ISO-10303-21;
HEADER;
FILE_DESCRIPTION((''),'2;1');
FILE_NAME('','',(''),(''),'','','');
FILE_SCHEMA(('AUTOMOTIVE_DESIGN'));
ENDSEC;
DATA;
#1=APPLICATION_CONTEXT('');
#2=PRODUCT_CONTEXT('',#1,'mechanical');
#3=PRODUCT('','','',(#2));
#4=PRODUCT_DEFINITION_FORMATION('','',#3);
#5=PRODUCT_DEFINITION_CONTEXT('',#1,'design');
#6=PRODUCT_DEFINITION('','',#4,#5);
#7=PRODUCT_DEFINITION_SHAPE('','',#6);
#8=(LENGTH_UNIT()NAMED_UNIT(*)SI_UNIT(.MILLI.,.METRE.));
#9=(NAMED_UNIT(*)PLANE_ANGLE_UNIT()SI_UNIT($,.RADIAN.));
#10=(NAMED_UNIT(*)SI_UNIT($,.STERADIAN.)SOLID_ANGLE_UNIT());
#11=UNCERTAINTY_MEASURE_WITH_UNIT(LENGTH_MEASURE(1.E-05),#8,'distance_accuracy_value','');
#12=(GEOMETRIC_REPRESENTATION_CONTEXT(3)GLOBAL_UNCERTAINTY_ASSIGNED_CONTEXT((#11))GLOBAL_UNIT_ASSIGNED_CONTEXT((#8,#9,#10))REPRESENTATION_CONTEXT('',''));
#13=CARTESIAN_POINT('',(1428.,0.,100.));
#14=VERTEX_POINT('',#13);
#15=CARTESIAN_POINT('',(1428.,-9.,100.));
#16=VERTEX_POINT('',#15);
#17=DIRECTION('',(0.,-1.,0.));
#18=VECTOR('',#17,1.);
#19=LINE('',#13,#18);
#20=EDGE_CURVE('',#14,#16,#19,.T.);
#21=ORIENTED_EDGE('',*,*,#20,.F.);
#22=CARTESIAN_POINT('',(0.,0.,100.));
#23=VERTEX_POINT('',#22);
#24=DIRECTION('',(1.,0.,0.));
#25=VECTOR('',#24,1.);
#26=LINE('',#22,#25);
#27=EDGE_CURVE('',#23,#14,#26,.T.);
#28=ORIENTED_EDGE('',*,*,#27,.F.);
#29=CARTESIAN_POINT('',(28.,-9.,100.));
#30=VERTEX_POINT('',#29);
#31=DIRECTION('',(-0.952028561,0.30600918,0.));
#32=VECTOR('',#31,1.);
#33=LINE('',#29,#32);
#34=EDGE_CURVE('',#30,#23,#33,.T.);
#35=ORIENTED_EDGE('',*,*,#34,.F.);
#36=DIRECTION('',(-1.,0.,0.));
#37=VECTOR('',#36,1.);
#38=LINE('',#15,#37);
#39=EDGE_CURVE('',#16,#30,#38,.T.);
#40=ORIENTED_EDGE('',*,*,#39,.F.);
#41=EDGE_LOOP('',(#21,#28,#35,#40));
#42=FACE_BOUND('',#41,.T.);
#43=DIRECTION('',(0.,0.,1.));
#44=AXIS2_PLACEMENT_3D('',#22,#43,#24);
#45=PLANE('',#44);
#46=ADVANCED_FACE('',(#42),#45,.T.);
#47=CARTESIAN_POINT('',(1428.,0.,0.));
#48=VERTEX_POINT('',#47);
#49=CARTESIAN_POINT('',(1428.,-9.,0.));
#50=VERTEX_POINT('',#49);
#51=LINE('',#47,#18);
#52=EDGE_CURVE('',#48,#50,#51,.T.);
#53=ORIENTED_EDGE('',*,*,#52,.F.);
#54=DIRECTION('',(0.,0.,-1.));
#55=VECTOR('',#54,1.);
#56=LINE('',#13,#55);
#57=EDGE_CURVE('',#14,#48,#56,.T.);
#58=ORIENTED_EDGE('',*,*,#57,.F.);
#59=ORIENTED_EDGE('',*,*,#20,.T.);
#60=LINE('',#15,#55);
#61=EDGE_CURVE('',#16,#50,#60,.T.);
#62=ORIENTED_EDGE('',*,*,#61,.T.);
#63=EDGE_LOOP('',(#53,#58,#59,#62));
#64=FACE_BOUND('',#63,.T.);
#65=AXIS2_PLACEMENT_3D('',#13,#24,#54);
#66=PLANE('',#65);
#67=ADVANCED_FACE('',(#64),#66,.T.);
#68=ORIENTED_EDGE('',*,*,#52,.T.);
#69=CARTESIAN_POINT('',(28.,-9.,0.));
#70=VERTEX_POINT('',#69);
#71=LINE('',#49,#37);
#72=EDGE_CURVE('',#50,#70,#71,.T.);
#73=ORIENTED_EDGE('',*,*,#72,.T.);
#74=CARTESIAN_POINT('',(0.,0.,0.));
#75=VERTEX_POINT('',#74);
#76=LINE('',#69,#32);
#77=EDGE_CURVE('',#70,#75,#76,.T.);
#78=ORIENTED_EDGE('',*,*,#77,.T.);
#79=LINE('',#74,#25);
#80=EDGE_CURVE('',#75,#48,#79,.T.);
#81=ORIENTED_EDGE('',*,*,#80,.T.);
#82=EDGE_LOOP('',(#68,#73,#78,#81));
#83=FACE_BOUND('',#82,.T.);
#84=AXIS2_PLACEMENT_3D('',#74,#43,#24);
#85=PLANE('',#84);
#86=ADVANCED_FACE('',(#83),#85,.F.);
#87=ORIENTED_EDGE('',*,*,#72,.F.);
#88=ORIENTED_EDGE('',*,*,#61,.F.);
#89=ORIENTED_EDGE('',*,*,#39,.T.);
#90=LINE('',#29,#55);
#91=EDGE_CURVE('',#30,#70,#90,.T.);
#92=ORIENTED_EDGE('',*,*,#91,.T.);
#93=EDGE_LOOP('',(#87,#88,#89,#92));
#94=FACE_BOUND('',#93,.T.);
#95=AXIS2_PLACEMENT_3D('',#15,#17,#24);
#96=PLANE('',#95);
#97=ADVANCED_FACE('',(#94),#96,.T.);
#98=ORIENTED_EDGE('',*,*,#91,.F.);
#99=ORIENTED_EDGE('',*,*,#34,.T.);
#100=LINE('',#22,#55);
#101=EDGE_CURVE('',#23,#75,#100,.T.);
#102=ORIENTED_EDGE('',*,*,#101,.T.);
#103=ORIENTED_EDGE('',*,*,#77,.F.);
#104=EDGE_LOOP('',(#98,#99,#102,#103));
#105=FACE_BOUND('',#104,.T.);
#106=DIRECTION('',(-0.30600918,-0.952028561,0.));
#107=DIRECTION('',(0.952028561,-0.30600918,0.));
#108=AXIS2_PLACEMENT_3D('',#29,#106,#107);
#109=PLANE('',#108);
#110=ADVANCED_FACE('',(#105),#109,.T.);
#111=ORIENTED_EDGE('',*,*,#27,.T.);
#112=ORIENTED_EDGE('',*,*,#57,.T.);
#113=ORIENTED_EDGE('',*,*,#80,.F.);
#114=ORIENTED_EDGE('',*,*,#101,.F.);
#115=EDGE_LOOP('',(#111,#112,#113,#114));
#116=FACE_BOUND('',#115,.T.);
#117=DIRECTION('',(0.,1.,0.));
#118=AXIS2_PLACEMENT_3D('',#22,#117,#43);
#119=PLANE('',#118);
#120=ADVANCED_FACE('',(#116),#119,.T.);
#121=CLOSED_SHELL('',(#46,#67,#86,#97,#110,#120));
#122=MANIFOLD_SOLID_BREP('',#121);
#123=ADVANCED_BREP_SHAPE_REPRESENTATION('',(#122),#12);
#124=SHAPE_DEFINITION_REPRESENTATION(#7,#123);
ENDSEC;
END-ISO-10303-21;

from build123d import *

# Parameters (mm, degrees)
BOSS_EXTRUDE1_DEPTH = 100


with BuildPart() as part:
    # Sketch1 → Boss-Extrude1 (new body)
    with BuildSketch(Plane.XY):
        Polygon((0, 0), (1428, 0), (1428, -9), (28, -9), align=None)
    extrude(amount=BOSS_EXTRUDE1_DEPTH)


solid = part.part
